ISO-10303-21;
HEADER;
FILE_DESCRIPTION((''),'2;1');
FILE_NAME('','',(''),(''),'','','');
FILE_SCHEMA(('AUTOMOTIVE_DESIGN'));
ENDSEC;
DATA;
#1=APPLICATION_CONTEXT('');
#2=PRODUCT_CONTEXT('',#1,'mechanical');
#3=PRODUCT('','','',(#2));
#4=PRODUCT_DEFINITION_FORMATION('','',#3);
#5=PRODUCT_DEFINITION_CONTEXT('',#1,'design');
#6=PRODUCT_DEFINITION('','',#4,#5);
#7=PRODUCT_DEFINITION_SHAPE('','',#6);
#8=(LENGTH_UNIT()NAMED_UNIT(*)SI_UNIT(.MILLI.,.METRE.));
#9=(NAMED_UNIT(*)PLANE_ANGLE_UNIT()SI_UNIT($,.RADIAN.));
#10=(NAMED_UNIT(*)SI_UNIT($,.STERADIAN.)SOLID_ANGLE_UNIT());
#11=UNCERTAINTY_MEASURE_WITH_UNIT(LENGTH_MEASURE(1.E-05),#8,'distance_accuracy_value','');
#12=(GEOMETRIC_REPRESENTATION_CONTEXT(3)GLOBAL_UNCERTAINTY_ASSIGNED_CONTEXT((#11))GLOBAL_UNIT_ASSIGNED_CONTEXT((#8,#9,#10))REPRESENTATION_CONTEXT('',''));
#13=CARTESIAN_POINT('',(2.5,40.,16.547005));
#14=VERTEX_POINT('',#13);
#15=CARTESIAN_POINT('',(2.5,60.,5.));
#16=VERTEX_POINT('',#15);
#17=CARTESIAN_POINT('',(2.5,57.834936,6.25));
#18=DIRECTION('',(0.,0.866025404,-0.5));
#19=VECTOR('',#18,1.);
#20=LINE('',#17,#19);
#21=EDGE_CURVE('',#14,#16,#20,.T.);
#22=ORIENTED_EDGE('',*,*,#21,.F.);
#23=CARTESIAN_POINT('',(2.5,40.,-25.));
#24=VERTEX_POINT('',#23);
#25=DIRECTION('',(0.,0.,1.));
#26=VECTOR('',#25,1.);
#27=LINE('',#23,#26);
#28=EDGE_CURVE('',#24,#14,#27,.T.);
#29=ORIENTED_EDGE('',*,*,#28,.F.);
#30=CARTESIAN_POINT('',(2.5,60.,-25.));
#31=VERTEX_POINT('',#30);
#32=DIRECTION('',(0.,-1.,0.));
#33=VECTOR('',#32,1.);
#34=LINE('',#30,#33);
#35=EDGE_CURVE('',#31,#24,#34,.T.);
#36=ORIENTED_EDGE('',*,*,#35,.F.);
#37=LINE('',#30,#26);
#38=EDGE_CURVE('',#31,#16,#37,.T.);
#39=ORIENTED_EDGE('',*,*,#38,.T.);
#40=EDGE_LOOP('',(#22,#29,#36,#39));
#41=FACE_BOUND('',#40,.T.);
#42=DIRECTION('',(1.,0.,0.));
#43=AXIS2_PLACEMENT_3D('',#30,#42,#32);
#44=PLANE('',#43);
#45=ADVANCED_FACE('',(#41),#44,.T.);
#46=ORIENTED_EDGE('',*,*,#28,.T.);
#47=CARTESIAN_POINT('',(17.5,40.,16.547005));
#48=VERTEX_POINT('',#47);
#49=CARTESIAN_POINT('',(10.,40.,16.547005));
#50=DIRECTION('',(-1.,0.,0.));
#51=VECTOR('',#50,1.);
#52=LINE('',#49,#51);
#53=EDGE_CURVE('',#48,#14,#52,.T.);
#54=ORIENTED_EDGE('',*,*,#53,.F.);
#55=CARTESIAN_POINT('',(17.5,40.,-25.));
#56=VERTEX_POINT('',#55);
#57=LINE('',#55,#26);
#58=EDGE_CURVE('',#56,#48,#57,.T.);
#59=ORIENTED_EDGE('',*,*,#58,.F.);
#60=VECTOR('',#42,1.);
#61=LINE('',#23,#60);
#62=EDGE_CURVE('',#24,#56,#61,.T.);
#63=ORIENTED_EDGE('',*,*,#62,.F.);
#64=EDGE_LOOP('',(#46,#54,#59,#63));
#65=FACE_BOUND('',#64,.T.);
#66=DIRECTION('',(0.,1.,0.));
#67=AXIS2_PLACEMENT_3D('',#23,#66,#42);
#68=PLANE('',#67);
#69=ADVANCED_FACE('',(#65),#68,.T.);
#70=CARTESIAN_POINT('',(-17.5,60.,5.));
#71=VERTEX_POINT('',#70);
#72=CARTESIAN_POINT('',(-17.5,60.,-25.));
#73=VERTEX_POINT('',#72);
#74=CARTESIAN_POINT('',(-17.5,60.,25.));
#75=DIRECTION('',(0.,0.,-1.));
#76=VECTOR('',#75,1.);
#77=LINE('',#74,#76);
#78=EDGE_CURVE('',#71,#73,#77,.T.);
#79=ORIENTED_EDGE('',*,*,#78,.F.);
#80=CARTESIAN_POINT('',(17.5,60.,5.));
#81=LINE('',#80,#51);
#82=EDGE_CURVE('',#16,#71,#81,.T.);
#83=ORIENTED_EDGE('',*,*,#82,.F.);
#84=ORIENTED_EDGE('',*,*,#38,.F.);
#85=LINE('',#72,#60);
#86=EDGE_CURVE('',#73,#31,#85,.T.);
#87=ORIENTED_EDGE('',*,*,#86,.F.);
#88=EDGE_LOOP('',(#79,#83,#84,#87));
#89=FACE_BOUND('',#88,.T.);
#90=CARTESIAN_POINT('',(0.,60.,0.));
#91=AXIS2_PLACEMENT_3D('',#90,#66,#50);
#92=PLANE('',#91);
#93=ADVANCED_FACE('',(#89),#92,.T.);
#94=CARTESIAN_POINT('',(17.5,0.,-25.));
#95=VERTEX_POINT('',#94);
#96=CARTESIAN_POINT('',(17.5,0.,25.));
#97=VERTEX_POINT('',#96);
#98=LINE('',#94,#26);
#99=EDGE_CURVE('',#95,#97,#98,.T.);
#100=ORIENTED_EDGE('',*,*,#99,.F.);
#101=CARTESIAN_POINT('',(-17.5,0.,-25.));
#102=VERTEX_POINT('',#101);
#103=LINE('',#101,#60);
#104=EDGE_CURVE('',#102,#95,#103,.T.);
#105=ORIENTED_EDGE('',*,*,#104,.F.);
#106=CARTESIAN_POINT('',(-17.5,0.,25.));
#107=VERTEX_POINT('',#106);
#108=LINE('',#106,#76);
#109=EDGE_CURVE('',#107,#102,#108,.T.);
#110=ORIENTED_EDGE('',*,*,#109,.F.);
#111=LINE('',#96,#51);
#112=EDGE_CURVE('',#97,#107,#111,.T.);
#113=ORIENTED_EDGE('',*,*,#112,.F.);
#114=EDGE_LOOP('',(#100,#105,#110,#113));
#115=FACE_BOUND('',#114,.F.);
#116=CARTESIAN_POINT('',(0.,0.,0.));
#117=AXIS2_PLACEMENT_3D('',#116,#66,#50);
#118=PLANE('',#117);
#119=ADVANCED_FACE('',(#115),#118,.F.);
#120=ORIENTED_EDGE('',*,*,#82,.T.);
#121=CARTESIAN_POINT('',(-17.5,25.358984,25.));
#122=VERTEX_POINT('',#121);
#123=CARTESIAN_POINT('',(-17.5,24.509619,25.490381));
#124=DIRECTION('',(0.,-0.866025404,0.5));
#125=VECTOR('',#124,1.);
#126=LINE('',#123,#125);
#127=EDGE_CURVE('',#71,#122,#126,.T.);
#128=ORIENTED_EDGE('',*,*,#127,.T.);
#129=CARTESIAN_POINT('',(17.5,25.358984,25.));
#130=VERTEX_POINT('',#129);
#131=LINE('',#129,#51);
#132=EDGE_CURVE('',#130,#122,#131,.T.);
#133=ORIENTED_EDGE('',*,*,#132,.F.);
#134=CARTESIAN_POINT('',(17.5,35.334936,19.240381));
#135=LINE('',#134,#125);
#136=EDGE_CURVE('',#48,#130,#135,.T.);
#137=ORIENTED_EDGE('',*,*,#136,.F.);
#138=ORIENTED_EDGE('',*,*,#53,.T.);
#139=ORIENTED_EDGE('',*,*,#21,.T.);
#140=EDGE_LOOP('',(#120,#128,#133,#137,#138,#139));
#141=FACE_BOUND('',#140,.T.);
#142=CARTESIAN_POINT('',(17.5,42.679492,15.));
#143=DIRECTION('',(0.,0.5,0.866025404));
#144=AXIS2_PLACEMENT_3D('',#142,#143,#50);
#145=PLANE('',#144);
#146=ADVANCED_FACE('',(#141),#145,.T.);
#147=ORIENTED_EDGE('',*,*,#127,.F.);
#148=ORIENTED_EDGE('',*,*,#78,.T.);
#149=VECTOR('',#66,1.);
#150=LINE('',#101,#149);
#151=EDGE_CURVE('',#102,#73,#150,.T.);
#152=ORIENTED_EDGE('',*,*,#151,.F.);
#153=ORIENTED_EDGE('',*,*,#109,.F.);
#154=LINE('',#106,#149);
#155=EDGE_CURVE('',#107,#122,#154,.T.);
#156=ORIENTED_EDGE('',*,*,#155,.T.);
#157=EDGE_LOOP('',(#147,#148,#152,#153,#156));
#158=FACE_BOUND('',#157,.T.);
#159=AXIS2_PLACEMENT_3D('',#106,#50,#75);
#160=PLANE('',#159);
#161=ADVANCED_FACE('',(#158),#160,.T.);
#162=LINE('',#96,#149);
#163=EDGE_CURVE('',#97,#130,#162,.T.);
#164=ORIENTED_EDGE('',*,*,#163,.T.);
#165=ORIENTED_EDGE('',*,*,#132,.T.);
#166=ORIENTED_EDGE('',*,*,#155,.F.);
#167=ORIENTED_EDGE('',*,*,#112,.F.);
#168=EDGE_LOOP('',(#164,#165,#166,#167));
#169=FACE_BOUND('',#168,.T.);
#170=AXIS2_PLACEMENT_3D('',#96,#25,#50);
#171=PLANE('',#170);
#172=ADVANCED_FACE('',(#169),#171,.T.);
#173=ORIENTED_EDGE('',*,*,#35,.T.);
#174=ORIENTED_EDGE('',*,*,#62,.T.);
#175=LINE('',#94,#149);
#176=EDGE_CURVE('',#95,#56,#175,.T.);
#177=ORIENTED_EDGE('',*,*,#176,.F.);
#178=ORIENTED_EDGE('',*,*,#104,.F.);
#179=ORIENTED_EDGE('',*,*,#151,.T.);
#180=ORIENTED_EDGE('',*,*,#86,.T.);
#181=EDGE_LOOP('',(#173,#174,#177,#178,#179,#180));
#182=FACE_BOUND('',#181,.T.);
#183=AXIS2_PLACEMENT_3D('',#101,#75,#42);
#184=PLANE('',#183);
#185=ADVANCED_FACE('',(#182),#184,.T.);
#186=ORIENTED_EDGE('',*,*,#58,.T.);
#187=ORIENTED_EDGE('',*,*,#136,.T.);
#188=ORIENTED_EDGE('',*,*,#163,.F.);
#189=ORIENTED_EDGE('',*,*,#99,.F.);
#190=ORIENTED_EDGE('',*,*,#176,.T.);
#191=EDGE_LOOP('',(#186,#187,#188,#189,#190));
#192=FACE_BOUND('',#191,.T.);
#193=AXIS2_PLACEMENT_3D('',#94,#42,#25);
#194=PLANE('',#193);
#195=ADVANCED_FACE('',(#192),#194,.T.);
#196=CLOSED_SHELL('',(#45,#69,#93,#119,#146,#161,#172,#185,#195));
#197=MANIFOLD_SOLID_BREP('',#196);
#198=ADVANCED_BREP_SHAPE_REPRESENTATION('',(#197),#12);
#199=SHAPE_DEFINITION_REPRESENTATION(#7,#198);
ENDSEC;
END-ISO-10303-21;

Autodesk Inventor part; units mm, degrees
ref_plane "YZ Plane" through (0, 0, 0) normal (1, 0, 0) x (0, 1, 0)
ref_plane "XZ Plane" through (0, 0, 0) normal (0, 1, 0) x (-1, 0, 0)
ref_plane "XY Plane" through (0, 0, 0) normal (0, 0, 1) x (1, 0, 0)
sketch "Esboço1" plane through (0, 0, 0) normal (0, 1, 0) x (-1, 0, 0)
  line L0 (17.5, -25) -> (-17.5, -25)
  line L1 (-17.5, -25) -> (-17.5, 25)
  line L2 (-17.5, 25) -> (17.5, 25)
  line L3 (17.5, 25) -> (17.5, -25)
  line L4 (17.5, -25) -> (-17.5, 25) construction
  line L5 (-17.5, -25) -> (17.5, 25) construction
  point P0 (0, 0)
  dimension "d0" = 35
  dimension "d1" = 50
extrude "Extrusão1" add sketch "Esboço1" along normal blind 60
chamfer "Chanfro1" distance 20 angle 60 1 edges at (0, 60, 25) measured on face at (5.8333, 60, 8.3333)
sketch "Esboço2" plane through (17.5, 0, -25) normal (0, 0, -1) x (-1, 0, 0)
  line L0 (0, 60) -> (15, 60)
  line L1 (15, 60) -> (15, 40)
  line L2 (15, 40) -> (0, 40)
  line L3 (0, 40) -> (0, 60)
  line L4 (35, 0) -> (35, 60) projected
  line L5 (0, 0) -> (35, 0) projected
  point P0 (17.5, 0)
  dimension "d7" = 20
  dimension "d8" = 40
extrude "Extrusão2" cut sketch "Esboço2" against normal through all
properties part number "3D Model"
